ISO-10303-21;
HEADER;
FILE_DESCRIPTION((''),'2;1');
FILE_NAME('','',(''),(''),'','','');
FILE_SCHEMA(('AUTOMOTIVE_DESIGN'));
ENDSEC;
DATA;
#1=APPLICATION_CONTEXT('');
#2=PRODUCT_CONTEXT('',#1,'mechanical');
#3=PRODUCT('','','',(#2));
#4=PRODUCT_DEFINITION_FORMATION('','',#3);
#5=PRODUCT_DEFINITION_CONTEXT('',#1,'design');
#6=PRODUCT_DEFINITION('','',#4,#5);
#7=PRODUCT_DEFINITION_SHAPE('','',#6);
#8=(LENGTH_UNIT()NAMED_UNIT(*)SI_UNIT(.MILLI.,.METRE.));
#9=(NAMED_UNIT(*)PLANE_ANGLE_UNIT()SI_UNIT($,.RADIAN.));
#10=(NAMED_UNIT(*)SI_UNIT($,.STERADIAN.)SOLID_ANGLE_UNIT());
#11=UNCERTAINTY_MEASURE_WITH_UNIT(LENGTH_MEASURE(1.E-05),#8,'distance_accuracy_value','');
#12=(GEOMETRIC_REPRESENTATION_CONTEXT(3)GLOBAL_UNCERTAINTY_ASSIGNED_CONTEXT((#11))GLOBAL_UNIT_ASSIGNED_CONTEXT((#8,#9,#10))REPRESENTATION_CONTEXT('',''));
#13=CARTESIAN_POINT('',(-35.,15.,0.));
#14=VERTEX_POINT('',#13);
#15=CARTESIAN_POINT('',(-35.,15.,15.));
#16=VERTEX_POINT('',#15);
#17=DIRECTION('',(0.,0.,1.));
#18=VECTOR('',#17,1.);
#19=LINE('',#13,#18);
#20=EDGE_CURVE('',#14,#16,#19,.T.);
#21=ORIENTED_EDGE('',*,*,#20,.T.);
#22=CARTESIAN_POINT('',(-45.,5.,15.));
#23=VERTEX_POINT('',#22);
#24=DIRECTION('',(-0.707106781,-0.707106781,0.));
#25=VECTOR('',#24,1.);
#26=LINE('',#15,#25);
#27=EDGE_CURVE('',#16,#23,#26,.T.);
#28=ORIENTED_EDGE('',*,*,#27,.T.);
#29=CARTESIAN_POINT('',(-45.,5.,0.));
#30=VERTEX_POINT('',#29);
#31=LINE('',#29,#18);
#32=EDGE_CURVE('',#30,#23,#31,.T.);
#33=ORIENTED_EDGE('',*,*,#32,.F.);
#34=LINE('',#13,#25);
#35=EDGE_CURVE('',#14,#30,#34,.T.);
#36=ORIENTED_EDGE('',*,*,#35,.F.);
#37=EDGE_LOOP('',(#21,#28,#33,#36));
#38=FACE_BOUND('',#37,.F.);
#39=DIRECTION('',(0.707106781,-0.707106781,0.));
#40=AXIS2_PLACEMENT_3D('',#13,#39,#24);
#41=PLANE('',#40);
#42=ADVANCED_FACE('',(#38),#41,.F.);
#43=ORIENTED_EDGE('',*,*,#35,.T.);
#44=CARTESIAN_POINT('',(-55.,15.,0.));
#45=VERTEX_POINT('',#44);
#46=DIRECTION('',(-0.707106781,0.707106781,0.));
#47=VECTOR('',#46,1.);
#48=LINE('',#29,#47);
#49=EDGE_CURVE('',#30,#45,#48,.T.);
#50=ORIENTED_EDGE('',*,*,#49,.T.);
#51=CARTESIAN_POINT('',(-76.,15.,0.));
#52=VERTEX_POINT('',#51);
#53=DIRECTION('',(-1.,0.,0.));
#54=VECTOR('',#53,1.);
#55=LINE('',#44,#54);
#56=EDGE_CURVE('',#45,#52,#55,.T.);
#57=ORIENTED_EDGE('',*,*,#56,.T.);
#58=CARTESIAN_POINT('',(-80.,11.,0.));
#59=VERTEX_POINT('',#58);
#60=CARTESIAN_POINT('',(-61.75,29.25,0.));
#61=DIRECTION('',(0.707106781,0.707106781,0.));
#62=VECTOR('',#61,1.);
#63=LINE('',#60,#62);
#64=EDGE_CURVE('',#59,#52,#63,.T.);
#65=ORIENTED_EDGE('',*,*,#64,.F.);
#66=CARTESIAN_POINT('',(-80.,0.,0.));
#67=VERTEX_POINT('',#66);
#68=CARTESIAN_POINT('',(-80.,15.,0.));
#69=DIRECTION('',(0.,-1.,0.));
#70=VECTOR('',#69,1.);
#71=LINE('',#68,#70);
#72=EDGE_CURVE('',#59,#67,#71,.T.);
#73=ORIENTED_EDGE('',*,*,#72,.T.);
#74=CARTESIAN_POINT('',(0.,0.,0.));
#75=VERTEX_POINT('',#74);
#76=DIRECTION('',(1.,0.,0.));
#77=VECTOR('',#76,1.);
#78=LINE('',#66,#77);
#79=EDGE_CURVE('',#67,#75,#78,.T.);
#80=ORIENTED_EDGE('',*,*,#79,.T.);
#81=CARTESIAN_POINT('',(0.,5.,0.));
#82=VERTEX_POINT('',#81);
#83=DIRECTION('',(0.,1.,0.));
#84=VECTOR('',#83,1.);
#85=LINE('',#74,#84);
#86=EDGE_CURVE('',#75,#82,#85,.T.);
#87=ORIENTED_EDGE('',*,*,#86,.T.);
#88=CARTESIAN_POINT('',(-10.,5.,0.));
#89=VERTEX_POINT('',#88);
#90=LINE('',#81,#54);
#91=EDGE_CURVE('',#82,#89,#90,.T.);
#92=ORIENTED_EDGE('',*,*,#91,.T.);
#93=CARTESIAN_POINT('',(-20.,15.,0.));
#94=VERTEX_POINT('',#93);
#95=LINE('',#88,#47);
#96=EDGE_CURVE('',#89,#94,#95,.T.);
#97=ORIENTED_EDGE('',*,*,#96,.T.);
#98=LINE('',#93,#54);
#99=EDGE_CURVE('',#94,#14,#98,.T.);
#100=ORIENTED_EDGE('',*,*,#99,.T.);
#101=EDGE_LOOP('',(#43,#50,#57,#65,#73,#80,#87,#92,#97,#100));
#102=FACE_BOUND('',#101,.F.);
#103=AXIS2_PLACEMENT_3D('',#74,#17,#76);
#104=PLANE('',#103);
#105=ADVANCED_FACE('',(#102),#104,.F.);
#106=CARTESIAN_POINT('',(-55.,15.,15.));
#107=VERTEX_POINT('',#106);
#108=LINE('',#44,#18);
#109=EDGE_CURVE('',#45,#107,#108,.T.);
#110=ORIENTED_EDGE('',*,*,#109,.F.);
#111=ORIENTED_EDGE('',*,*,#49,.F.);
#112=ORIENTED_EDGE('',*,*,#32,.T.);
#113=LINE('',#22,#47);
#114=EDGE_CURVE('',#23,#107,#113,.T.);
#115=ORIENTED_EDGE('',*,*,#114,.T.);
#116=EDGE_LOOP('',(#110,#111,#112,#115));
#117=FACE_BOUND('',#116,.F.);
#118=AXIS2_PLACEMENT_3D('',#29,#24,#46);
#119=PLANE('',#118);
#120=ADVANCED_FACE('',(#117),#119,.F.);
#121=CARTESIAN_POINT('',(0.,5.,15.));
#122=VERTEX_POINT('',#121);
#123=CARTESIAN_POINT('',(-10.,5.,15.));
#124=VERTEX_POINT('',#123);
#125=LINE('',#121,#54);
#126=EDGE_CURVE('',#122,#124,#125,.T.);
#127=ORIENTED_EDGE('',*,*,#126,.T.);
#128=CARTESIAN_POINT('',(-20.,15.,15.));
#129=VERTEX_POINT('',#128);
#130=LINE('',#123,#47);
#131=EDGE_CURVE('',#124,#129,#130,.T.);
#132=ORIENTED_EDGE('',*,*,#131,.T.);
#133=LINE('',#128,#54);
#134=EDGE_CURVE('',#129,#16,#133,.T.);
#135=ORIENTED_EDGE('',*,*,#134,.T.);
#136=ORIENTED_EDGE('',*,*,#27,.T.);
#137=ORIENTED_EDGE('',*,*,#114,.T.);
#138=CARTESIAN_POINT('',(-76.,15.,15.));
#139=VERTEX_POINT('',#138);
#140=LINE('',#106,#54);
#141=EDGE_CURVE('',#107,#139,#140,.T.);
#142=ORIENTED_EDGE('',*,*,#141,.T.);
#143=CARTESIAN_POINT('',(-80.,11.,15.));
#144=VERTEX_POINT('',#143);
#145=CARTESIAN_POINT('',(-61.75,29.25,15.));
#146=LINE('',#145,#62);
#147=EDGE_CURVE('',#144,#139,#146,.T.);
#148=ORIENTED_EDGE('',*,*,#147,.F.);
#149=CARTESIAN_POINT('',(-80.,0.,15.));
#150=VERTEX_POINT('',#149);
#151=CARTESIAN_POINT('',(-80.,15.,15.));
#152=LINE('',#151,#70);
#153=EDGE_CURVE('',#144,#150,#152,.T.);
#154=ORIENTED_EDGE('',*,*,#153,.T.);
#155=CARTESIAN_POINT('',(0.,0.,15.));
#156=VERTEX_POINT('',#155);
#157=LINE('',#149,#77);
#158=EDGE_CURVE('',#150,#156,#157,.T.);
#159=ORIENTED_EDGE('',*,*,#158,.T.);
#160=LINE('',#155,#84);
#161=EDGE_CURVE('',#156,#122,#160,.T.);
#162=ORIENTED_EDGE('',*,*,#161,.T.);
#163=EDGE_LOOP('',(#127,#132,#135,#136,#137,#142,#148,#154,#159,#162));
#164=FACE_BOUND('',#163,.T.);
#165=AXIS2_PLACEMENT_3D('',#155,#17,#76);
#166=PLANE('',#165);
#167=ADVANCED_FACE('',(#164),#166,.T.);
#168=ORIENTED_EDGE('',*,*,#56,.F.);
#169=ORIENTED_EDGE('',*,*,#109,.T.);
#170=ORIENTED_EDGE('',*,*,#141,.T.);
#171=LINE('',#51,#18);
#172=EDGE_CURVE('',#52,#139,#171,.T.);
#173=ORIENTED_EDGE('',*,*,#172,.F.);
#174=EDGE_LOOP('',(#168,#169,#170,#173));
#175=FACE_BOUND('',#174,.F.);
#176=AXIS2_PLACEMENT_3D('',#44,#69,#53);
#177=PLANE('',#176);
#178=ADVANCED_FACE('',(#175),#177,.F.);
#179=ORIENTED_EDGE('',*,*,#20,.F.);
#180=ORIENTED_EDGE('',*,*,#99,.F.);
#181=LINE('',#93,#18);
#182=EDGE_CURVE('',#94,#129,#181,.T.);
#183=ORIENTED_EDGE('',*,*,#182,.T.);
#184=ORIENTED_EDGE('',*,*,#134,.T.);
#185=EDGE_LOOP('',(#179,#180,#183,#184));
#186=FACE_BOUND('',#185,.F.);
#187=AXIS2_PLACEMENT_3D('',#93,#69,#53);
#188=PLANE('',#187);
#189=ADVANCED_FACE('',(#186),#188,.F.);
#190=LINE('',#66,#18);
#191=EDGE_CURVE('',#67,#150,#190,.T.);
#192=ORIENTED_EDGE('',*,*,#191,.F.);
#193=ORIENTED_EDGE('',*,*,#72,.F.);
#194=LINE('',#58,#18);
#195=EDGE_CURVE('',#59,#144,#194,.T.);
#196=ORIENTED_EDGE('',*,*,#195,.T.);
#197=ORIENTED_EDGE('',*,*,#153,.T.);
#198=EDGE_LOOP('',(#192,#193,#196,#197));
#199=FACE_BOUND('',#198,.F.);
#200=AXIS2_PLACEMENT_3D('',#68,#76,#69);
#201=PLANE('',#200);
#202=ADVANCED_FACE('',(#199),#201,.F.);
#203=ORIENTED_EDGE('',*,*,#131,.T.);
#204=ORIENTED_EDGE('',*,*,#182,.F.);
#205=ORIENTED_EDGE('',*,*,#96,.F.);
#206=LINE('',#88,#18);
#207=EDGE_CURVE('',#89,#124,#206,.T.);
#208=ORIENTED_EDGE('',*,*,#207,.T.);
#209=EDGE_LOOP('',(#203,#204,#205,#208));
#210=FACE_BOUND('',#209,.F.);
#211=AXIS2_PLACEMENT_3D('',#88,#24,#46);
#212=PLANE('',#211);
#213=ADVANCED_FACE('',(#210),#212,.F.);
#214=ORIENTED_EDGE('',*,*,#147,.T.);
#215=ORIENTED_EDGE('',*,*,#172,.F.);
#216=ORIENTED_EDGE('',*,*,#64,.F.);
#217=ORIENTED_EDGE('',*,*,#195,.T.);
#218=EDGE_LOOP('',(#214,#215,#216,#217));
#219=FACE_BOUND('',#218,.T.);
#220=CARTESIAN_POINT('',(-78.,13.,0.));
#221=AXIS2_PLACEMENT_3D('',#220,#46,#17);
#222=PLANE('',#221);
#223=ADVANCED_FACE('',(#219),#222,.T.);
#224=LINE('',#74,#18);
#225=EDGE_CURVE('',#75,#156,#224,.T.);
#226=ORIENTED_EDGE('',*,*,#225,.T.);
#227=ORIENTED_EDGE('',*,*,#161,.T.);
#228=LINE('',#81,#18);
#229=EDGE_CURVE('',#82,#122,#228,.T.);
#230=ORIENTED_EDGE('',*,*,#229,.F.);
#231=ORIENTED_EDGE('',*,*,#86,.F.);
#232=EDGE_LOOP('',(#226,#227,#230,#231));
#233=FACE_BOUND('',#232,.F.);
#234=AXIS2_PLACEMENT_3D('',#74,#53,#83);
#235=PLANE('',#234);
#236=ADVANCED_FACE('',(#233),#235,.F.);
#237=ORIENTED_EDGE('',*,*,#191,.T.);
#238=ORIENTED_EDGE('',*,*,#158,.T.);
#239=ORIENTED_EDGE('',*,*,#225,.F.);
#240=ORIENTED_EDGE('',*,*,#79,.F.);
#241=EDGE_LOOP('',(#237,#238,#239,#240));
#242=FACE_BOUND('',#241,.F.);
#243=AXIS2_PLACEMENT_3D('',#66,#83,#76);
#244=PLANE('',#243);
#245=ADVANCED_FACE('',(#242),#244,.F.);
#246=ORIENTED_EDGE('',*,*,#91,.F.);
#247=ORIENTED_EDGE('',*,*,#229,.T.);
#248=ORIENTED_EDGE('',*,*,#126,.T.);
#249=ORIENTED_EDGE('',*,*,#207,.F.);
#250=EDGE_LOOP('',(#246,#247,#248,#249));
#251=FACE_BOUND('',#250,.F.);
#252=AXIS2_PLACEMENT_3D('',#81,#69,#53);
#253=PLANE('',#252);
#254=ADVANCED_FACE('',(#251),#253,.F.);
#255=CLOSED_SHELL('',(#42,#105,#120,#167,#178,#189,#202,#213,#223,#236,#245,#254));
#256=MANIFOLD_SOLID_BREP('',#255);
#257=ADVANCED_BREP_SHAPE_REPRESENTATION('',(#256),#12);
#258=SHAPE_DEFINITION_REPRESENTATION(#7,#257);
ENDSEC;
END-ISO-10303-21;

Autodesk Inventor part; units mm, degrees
ref_plane "YZ Plane" through (0, 0, 0) normal (1, 0, 0) x (0, 1, 0)
ref_plane "XZ Plane" through (0, 0, 0) normal (0, 1, 0) x (-1, 0, 0)
ref_plane "XY Plane" through (0, 0, 0) normal (0, 0, 1) x (1, 0, 0)
sketch "スケッチ3" plane through (0, 0, 0) normal (0, 0, 1) x (1, 0, 0)
  line L0 (0, 0) -> (0, 5)
  line L1 (0, 5) -> (-10, 5)
  line L2 (-10, 5) -> (-20, 15)
  line L3 (-20, 15) -> (-35, 15)
  line L4 (-35, 15) -> (-45, 5)
  line L5 (-45, 5) -> (-55, 15)
  line L6 (-80, 0) -> (0, 0)
  line L7 (0, 5) -> (0, 0)
  line L8 (-55, 15) -> (-80, 15)
  line L9 (-80, 15) -> (-80, 0)
  dimension "d0" = 10
  dimension "d2" = 15
  dimension "d4" = 5
  dimension "d6" = 135
  dimension "d9" = 25
  dimension "d10" = 15
extrude "押し出し1" add sketch "スケッチ3" along normal blind 15
chamfer "面取り1" distance 4 angle 45 1 edges at (-80, 15, 7.5)
sketch "スケッチ4" plane through (0, 0, 15) normal (0, 0, 1) x (1, 0, 0)
  line L0 (-80, 11) -> (-76, 15) projected
  line L1 (-80, 11) -> (-80, 0) projected
  line L2 (-80, 0) -> (0, 0) projected
  line L3 (0, 0) -> (0, 5) projected
  line L4 (0, 5) -> (-10, 5) projected
  line L5 (-10, 5) -> (-20, 15) projected
  line L6 (-20, 15) -> (-35, 15) projected
  line L7 (-35, 15) -> (-45, 5) projected
  line L8 (-45, 5) -> (-55, 15) projected
  line L9 (-55, 15) -> (-76, 15) projected
  line L10 (-93.9194, 12.5) -> (6.2827, 12.5)
  line L11 (-45, 5) -> (-55, 15) projected
  line L12 (-35, 15) -> (-45, 5) projected
  line L13 (-10, 5) -> (-20, 15) projected
  line L14 (-65.5, 45.5) -> (-65.5, -30.5) construction
  line L15 (-55, 15) -> (-76, 15) construction
  line L16 (-55, 15) -> (-55, -16.6145) construction
  line L17 (-76, 15) -> (-76, -16.6145) construction
  point P0 (-78.5, 12.5)
  point P1 (-52.5, 12.5)
  point P2 (-37.5, 12.5)
  point P3 (-17.5, 12.5)
  dimension "d14" = 12.5
  dimension "d15" = 17.5
  dimension "d16" = 37.5
  dimension "d17" = 52.5
  dimension "d18" = 78.5
  dimension "d19" = 65.5
properties part number "finger2"
